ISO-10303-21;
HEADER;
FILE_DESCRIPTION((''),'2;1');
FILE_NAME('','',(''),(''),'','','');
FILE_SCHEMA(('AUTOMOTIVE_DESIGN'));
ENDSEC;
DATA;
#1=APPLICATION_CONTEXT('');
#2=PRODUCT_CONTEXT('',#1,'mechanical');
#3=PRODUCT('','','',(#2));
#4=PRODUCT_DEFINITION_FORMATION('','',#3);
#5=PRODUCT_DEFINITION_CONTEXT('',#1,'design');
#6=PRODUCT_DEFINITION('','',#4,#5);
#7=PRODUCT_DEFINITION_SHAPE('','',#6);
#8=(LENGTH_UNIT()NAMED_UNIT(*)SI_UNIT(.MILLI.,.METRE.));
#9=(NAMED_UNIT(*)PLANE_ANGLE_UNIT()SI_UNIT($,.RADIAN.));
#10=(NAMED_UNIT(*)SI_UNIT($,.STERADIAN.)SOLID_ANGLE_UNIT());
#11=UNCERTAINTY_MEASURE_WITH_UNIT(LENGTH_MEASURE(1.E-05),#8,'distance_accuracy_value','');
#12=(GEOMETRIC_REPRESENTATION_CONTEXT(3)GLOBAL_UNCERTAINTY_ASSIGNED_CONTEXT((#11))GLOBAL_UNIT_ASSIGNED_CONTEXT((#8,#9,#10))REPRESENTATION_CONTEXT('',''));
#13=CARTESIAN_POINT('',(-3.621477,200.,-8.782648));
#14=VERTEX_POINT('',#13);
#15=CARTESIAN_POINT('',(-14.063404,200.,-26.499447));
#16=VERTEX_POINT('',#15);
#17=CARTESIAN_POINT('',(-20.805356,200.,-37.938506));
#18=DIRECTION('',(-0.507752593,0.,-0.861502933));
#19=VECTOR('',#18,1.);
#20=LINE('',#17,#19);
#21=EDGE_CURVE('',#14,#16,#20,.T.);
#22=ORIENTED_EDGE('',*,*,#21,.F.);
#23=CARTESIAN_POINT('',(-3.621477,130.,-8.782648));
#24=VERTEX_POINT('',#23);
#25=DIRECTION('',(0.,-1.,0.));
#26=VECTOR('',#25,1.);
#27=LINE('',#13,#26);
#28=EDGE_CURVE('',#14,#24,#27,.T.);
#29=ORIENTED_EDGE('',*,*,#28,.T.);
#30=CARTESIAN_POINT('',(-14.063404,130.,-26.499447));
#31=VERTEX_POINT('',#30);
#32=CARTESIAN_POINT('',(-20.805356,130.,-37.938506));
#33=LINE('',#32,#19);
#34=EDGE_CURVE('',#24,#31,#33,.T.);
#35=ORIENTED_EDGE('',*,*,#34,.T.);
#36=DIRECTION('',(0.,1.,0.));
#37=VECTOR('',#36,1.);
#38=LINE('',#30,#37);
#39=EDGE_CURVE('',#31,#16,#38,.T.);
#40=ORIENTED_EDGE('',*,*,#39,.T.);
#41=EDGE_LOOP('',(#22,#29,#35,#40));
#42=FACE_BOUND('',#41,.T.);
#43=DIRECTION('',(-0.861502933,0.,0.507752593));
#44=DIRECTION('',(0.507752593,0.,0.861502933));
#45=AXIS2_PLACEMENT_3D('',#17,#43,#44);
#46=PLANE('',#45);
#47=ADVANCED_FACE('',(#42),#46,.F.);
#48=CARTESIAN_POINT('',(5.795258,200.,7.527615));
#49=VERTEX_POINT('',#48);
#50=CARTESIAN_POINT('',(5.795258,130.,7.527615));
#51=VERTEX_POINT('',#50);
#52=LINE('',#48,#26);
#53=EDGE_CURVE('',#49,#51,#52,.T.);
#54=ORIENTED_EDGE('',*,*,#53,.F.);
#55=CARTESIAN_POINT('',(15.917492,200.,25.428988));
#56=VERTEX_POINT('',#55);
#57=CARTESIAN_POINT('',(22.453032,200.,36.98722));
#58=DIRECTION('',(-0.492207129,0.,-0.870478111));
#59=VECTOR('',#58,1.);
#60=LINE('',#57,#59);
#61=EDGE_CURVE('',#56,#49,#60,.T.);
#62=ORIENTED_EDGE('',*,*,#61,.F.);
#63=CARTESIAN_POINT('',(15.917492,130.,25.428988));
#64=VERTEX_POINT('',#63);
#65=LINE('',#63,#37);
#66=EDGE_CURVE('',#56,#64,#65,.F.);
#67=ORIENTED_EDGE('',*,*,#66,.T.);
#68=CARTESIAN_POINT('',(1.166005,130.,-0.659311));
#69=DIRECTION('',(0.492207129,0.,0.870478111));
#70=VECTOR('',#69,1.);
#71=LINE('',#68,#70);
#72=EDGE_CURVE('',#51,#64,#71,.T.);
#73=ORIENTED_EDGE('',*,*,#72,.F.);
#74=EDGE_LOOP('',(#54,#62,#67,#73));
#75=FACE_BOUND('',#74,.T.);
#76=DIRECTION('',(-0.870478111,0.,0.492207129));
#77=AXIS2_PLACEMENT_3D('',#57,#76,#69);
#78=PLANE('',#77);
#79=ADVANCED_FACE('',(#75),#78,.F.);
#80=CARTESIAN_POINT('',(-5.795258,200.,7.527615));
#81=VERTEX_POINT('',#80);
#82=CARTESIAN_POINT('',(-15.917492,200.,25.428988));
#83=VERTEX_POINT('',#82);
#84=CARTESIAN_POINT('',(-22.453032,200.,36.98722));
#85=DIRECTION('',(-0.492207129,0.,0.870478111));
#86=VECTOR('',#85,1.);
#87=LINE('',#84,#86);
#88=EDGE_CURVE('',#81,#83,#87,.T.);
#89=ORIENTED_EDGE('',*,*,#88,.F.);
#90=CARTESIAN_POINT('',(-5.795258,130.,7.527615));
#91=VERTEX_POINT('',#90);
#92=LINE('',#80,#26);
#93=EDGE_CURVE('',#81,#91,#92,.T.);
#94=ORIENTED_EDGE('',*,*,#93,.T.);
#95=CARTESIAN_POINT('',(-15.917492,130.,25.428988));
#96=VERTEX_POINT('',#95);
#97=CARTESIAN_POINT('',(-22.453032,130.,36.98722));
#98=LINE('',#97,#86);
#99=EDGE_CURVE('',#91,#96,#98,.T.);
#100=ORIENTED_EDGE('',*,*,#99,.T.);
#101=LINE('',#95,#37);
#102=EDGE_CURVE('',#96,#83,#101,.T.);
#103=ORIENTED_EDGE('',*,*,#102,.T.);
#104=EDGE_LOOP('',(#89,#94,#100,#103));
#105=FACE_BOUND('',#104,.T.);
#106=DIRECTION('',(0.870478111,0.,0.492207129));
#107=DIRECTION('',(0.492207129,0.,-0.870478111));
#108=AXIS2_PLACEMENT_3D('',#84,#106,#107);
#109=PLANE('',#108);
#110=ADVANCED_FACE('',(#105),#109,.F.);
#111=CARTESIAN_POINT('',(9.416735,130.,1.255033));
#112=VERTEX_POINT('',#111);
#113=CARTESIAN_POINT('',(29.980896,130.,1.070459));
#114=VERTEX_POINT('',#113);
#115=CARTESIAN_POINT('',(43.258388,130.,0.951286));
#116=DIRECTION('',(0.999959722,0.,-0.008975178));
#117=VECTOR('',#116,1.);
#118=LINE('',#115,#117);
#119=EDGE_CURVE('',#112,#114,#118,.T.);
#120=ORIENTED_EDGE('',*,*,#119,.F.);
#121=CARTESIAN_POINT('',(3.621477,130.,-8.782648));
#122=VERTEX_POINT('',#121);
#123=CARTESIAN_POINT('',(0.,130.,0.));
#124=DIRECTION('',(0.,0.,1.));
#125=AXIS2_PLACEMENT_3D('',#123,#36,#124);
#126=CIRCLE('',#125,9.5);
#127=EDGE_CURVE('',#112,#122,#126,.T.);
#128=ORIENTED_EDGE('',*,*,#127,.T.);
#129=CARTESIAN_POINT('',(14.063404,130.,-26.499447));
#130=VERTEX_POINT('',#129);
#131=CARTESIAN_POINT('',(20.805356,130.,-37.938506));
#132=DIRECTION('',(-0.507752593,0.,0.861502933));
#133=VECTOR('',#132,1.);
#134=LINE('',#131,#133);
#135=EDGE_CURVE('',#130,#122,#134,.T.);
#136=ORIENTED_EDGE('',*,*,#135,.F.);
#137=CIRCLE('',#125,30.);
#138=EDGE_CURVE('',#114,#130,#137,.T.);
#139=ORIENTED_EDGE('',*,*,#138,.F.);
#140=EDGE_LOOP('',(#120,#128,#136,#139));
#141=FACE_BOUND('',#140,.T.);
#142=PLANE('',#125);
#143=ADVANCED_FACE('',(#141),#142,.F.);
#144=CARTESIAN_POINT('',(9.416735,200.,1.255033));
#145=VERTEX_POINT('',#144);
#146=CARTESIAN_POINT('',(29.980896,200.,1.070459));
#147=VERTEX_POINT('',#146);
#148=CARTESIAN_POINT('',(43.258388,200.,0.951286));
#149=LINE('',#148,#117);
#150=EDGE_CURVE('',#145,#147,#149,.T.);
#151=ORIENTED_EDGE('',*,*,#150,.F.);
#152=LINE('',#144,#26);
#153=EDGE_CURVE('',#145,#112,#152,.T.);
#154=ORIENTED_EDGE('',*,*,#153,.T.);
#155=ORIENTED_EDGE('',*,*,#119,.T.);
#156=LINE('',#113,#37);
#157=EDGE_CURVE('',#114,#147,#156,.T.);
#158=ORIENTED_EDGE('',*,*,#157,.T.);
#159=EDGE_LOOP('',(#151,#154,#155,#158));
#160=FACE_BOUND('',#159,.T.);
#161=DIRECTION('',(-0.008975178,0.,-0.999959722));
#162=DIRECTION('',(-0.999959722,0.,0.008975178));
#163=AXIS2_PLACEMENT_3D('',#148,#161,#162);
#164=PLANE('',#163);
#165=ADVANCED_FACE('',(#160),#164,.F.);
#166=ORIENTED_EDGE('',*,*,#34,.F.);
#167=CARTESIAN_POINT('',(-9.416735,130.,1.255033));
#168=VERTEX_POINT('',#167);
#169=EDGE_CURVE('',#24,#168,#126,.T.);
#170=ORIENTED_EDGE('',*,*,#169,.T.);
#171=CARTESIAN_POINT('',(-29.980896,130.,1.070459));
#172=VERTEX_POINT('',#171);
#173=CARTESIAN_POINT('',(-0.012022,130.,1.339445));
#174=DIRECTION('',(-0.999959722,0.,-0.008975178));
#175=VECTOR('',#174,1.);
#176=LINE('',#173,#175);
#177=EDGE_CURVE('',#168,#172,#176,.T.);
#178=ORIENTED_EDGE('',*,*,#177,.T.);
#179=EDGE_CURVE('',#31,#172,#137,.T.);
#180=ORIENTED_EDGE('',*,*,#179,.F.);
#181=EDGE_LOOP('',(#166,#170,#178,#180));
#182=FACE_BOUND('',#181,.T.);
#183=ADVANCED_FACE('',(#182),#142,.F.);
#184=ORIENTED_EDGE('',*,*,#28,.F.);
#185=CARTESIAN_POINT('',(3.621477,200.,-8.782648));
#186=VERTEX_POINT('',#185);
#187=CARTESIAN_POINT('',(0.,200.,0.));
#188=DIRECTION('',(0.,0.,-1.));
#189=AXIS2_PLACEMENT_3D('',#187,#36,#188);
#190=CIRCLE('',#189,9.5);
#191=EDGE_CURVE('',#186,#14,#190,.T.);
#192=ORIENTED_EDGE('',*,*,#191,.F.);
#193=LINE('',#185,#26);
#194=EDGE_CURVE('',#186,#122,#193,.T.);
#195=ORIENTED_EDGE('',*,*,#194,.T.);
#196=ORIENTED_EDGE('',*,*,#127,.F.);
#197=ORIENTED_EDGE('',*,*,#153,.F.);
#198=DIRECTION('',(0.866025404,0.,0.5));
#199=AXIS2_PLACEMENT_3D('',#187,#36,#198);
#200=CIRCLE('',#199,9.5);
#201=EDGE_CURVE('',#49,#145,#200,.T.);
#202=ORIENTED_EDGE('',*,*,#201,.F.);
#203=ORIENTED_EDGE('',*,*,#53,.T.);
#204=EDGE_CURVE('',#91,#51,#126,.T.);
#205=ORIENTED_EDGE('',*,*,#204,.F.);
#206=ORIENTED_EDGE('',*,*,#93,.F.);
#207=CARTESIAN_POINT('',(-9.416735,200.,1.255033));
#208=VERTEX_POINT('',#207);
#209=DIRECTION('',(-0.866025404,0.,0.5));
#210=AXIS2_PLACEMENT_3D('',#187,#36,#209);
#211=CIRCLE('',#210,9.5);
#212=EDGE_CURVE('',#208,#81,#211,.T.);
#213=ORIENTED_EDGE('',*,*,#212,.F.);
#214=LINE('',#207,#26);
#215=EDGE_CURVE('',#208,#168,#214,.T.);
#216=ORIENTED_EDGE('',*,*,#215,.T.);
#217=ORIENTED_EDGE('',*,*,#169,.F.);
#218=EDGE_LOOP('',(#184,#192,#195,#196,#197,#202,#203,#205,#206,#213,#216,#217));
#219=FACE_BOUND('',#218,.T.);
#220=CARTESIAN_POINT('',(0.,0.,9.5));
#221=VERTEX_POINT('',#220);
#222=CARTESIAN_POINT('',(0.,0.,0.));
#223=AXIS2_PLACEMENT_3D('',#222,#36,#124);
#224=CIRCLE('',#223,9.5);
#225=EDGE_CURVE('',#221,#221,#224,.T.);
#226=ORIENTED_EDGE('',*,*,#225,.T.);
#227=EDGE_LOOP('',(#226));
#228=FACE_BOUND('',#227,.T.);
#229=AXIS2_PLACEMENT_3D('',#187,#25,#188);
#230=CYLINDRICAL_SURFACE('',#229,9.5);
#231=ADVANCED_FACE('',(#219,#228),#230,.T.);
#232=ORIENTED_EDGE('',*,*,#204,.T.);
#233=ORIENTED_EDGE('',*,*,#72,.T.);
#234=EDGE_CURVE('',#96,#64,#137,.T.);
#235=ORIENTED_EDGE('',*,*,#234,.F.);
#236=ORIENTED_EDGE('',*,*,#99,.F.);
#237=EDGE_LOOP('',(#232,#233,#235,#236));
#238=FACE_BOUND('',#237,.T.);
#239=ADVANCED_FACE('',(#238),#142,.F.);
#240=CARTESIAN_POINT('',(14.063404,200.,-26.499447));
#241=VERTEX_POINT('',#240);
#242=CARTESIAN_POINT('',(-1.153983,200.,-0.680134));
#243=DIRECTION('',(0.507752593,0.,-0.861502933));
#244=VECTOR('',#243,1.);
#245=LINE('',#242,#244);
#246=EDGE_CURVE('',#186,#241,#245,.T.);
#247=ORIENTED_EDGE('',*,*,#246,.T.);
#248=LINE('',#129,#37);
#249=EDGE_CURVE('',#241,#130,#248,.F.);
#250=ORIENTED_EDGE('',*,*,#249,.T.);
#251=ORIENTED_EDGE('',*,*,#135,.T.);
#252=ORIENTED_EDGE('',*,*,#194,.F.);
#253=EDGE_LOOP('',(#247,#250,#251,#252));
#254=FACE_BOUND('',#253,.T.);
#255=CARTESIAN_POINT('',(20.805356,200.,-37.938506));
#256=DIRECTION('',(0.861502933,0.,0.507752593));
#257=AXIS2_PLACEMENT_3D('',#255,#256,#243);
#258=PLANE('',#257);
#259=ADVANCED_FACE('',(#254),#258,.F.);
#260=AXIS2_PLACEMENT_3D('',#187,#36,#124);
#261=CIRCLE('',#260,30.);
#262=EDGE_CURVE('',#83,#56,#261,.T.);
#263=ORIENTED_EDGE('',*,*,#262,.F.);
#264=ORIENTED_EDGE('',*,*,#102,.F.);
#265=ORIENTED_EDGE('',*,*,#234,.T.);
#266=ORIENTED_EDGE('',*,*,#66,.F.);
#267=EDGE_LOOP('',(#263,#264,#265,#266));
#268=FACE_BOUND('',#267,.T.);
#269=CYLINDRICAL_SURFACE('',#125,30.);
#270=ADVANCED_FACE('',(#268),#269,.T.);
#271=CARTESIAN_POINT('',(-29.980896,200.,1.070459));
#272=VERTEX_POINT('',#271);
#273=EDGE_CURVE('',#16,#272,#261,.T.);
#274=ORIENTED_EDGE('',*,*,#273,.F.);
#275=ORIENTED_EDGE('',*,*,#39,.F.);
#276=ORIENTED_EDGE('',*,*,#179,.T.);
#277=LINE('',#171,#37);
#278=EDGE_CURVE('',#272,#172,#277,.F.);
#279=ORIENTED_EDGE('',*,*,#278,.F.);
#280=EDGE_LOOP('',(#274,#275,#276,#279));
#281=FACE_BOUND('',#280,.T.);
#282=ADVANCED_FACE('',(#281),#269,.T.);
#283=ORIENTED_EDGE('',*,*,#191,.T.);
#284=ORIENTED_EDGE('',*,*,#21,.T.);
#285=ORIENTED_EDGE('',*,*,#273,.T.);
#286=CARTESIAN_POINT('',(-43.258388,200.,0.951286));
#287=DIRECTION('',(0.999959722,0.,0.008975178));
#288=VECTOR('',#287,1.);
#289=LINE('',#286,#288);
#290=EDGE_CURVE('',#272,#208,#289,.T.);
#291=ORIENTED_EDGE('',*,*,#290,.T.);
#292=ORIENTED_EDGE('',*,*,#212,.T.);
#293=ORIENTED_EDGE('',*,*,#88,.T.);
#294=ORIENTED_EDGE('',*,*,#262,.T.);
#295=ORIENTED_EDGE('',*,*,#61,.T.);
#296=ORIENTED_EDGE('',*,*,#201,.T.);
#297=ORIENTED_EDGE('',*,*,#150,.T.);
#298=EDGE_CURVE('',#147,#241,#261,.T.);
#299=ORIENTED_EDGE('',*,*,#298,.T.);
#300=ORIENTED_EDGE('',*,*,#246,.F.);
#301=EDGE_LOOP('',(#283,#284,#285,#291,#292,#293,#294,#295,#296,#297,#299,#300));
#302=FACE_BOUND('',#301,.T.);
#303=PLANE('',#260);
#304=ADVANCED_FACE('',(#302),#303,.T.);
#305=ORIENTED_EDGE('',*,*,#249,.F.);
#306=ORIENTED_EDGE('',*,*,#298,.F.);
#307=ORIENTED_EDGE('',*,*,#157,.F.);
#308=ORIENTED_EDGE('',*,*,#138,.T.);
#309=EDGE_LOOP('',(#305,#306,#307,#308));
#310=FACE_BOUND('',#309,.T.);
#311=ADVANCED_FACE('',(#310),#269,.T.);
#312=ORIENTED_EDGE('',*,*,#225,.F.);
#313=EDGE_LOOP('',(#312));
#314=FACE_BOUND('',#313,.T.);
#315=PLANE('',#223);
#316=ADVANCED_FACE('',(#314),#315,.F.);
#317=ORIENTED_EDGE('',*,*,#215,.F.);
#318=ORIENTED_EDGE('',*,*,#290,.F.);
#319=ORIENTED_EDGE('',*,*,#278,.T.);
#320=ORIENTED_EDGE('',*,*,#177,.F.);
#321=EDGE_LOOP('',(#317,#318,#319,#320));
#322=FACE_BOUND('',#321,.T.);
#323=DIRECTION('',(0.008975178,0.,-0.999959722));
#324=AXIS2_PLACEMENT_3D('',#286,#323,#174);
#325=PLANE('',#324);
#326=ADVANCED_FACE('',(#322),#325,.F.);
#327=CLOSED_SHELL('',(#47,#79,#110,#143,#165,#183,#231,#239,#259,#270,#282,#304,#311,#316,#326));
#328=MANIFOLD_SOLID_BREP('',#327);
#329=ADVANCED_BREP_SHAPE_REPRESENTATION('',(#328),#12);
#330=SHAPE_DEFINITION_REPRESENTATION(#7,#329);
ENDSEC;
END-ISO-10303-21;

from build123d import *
from build123d.topology import SkipClean

# Parameters (mm, degrees)
SKETCH1_R           = 9.5
BOSS_EXTRUDE1_DEPTH = 200
BOSS_EXTRUDE2_START = -70
SKETCH2_R           = 30
SKETCH2_R_2         = 9.5
BOSS_EXTRUDE2_DEPTH = 70
CUT_EXTRUDE1_DEPTH  = 137.747943312
CIRPATTERN1_COUNT   = 3


with BuildPart() as part:
    # Sketch1 → Boss-Extrude1 (new body)
    with BuildSketch(Plane(origin=(0, 0, 0), x_dir=(1, 0, 0), z_dir=(0, 1, 0))):
        with Locations(Location((0, 0, 0), (0, 0, 270))):
            Circle(SKETCH1_R)
    extrude(amount=BOSS_EXTRUDE1_DEPTH)

    # Sketch2 → Boss-Extrude2 (add)
    with BuildSketch(Plane(origin=(0, 200, 0), x_dir=(1, 0, 0), z_dir=(0, 1, 0)).offset(BOSS_EXTRUDE2_START)):
        with Locations(Location((0, 0, 0), (0, 0, 270))):
            Circle(SKETCH2_R)
        with Locations(Location((0, 0, 0), (0, 0, 270))):
            Circle(SKETCH2_R_2, mode=Mode.SUBTRACT)
    extrude(amount=BOSS_EXTRUDE2_DEPTH)

    # Sketch3 → Cut-Extrude1 (cut, through all)
    with SkipClean():  # the faces are left unmerged after this step: merging them gives an invalid solid
        with BuildSketch(Plane.XZ.offset(-130)):
            with BuildLine():
                Line((20.805356407, -37.93850618), (-20.805356407, -37.93850618))
                Line((-20.805356407, -37.93850618), (-3.621476876, -8.782647963))
                ThreePointArc((-3.621476876, -8.782647963), (0, -9.5), (3.621476876, -8.782647963))
                Line((3.621476876, -8.782647963), (20.805356407, -37.93850618))
            make_face()
        cut_extrude1 = extrude(amount=-CUT_EXTRUDE1_DEPTH, mode=Mode.SUBTRACT)

    # CirPattern1: Cut-Extrude1 ×3 about axis
    with SkipClean():  # the faces are left unmerged after this step: merging them gives an invalid solid
        cirpattern1_axis = Axis((0, 0, 0), (0, 1, 0))
        for i in range(1, CIRPATTERN1_COUNT):
            add(cut_extrude1.rotate(cirpattern1_axis, i * 360 / CIRPATTERN1_COUNT), mode=Mode.SUBTRACT)


solid = part.part
